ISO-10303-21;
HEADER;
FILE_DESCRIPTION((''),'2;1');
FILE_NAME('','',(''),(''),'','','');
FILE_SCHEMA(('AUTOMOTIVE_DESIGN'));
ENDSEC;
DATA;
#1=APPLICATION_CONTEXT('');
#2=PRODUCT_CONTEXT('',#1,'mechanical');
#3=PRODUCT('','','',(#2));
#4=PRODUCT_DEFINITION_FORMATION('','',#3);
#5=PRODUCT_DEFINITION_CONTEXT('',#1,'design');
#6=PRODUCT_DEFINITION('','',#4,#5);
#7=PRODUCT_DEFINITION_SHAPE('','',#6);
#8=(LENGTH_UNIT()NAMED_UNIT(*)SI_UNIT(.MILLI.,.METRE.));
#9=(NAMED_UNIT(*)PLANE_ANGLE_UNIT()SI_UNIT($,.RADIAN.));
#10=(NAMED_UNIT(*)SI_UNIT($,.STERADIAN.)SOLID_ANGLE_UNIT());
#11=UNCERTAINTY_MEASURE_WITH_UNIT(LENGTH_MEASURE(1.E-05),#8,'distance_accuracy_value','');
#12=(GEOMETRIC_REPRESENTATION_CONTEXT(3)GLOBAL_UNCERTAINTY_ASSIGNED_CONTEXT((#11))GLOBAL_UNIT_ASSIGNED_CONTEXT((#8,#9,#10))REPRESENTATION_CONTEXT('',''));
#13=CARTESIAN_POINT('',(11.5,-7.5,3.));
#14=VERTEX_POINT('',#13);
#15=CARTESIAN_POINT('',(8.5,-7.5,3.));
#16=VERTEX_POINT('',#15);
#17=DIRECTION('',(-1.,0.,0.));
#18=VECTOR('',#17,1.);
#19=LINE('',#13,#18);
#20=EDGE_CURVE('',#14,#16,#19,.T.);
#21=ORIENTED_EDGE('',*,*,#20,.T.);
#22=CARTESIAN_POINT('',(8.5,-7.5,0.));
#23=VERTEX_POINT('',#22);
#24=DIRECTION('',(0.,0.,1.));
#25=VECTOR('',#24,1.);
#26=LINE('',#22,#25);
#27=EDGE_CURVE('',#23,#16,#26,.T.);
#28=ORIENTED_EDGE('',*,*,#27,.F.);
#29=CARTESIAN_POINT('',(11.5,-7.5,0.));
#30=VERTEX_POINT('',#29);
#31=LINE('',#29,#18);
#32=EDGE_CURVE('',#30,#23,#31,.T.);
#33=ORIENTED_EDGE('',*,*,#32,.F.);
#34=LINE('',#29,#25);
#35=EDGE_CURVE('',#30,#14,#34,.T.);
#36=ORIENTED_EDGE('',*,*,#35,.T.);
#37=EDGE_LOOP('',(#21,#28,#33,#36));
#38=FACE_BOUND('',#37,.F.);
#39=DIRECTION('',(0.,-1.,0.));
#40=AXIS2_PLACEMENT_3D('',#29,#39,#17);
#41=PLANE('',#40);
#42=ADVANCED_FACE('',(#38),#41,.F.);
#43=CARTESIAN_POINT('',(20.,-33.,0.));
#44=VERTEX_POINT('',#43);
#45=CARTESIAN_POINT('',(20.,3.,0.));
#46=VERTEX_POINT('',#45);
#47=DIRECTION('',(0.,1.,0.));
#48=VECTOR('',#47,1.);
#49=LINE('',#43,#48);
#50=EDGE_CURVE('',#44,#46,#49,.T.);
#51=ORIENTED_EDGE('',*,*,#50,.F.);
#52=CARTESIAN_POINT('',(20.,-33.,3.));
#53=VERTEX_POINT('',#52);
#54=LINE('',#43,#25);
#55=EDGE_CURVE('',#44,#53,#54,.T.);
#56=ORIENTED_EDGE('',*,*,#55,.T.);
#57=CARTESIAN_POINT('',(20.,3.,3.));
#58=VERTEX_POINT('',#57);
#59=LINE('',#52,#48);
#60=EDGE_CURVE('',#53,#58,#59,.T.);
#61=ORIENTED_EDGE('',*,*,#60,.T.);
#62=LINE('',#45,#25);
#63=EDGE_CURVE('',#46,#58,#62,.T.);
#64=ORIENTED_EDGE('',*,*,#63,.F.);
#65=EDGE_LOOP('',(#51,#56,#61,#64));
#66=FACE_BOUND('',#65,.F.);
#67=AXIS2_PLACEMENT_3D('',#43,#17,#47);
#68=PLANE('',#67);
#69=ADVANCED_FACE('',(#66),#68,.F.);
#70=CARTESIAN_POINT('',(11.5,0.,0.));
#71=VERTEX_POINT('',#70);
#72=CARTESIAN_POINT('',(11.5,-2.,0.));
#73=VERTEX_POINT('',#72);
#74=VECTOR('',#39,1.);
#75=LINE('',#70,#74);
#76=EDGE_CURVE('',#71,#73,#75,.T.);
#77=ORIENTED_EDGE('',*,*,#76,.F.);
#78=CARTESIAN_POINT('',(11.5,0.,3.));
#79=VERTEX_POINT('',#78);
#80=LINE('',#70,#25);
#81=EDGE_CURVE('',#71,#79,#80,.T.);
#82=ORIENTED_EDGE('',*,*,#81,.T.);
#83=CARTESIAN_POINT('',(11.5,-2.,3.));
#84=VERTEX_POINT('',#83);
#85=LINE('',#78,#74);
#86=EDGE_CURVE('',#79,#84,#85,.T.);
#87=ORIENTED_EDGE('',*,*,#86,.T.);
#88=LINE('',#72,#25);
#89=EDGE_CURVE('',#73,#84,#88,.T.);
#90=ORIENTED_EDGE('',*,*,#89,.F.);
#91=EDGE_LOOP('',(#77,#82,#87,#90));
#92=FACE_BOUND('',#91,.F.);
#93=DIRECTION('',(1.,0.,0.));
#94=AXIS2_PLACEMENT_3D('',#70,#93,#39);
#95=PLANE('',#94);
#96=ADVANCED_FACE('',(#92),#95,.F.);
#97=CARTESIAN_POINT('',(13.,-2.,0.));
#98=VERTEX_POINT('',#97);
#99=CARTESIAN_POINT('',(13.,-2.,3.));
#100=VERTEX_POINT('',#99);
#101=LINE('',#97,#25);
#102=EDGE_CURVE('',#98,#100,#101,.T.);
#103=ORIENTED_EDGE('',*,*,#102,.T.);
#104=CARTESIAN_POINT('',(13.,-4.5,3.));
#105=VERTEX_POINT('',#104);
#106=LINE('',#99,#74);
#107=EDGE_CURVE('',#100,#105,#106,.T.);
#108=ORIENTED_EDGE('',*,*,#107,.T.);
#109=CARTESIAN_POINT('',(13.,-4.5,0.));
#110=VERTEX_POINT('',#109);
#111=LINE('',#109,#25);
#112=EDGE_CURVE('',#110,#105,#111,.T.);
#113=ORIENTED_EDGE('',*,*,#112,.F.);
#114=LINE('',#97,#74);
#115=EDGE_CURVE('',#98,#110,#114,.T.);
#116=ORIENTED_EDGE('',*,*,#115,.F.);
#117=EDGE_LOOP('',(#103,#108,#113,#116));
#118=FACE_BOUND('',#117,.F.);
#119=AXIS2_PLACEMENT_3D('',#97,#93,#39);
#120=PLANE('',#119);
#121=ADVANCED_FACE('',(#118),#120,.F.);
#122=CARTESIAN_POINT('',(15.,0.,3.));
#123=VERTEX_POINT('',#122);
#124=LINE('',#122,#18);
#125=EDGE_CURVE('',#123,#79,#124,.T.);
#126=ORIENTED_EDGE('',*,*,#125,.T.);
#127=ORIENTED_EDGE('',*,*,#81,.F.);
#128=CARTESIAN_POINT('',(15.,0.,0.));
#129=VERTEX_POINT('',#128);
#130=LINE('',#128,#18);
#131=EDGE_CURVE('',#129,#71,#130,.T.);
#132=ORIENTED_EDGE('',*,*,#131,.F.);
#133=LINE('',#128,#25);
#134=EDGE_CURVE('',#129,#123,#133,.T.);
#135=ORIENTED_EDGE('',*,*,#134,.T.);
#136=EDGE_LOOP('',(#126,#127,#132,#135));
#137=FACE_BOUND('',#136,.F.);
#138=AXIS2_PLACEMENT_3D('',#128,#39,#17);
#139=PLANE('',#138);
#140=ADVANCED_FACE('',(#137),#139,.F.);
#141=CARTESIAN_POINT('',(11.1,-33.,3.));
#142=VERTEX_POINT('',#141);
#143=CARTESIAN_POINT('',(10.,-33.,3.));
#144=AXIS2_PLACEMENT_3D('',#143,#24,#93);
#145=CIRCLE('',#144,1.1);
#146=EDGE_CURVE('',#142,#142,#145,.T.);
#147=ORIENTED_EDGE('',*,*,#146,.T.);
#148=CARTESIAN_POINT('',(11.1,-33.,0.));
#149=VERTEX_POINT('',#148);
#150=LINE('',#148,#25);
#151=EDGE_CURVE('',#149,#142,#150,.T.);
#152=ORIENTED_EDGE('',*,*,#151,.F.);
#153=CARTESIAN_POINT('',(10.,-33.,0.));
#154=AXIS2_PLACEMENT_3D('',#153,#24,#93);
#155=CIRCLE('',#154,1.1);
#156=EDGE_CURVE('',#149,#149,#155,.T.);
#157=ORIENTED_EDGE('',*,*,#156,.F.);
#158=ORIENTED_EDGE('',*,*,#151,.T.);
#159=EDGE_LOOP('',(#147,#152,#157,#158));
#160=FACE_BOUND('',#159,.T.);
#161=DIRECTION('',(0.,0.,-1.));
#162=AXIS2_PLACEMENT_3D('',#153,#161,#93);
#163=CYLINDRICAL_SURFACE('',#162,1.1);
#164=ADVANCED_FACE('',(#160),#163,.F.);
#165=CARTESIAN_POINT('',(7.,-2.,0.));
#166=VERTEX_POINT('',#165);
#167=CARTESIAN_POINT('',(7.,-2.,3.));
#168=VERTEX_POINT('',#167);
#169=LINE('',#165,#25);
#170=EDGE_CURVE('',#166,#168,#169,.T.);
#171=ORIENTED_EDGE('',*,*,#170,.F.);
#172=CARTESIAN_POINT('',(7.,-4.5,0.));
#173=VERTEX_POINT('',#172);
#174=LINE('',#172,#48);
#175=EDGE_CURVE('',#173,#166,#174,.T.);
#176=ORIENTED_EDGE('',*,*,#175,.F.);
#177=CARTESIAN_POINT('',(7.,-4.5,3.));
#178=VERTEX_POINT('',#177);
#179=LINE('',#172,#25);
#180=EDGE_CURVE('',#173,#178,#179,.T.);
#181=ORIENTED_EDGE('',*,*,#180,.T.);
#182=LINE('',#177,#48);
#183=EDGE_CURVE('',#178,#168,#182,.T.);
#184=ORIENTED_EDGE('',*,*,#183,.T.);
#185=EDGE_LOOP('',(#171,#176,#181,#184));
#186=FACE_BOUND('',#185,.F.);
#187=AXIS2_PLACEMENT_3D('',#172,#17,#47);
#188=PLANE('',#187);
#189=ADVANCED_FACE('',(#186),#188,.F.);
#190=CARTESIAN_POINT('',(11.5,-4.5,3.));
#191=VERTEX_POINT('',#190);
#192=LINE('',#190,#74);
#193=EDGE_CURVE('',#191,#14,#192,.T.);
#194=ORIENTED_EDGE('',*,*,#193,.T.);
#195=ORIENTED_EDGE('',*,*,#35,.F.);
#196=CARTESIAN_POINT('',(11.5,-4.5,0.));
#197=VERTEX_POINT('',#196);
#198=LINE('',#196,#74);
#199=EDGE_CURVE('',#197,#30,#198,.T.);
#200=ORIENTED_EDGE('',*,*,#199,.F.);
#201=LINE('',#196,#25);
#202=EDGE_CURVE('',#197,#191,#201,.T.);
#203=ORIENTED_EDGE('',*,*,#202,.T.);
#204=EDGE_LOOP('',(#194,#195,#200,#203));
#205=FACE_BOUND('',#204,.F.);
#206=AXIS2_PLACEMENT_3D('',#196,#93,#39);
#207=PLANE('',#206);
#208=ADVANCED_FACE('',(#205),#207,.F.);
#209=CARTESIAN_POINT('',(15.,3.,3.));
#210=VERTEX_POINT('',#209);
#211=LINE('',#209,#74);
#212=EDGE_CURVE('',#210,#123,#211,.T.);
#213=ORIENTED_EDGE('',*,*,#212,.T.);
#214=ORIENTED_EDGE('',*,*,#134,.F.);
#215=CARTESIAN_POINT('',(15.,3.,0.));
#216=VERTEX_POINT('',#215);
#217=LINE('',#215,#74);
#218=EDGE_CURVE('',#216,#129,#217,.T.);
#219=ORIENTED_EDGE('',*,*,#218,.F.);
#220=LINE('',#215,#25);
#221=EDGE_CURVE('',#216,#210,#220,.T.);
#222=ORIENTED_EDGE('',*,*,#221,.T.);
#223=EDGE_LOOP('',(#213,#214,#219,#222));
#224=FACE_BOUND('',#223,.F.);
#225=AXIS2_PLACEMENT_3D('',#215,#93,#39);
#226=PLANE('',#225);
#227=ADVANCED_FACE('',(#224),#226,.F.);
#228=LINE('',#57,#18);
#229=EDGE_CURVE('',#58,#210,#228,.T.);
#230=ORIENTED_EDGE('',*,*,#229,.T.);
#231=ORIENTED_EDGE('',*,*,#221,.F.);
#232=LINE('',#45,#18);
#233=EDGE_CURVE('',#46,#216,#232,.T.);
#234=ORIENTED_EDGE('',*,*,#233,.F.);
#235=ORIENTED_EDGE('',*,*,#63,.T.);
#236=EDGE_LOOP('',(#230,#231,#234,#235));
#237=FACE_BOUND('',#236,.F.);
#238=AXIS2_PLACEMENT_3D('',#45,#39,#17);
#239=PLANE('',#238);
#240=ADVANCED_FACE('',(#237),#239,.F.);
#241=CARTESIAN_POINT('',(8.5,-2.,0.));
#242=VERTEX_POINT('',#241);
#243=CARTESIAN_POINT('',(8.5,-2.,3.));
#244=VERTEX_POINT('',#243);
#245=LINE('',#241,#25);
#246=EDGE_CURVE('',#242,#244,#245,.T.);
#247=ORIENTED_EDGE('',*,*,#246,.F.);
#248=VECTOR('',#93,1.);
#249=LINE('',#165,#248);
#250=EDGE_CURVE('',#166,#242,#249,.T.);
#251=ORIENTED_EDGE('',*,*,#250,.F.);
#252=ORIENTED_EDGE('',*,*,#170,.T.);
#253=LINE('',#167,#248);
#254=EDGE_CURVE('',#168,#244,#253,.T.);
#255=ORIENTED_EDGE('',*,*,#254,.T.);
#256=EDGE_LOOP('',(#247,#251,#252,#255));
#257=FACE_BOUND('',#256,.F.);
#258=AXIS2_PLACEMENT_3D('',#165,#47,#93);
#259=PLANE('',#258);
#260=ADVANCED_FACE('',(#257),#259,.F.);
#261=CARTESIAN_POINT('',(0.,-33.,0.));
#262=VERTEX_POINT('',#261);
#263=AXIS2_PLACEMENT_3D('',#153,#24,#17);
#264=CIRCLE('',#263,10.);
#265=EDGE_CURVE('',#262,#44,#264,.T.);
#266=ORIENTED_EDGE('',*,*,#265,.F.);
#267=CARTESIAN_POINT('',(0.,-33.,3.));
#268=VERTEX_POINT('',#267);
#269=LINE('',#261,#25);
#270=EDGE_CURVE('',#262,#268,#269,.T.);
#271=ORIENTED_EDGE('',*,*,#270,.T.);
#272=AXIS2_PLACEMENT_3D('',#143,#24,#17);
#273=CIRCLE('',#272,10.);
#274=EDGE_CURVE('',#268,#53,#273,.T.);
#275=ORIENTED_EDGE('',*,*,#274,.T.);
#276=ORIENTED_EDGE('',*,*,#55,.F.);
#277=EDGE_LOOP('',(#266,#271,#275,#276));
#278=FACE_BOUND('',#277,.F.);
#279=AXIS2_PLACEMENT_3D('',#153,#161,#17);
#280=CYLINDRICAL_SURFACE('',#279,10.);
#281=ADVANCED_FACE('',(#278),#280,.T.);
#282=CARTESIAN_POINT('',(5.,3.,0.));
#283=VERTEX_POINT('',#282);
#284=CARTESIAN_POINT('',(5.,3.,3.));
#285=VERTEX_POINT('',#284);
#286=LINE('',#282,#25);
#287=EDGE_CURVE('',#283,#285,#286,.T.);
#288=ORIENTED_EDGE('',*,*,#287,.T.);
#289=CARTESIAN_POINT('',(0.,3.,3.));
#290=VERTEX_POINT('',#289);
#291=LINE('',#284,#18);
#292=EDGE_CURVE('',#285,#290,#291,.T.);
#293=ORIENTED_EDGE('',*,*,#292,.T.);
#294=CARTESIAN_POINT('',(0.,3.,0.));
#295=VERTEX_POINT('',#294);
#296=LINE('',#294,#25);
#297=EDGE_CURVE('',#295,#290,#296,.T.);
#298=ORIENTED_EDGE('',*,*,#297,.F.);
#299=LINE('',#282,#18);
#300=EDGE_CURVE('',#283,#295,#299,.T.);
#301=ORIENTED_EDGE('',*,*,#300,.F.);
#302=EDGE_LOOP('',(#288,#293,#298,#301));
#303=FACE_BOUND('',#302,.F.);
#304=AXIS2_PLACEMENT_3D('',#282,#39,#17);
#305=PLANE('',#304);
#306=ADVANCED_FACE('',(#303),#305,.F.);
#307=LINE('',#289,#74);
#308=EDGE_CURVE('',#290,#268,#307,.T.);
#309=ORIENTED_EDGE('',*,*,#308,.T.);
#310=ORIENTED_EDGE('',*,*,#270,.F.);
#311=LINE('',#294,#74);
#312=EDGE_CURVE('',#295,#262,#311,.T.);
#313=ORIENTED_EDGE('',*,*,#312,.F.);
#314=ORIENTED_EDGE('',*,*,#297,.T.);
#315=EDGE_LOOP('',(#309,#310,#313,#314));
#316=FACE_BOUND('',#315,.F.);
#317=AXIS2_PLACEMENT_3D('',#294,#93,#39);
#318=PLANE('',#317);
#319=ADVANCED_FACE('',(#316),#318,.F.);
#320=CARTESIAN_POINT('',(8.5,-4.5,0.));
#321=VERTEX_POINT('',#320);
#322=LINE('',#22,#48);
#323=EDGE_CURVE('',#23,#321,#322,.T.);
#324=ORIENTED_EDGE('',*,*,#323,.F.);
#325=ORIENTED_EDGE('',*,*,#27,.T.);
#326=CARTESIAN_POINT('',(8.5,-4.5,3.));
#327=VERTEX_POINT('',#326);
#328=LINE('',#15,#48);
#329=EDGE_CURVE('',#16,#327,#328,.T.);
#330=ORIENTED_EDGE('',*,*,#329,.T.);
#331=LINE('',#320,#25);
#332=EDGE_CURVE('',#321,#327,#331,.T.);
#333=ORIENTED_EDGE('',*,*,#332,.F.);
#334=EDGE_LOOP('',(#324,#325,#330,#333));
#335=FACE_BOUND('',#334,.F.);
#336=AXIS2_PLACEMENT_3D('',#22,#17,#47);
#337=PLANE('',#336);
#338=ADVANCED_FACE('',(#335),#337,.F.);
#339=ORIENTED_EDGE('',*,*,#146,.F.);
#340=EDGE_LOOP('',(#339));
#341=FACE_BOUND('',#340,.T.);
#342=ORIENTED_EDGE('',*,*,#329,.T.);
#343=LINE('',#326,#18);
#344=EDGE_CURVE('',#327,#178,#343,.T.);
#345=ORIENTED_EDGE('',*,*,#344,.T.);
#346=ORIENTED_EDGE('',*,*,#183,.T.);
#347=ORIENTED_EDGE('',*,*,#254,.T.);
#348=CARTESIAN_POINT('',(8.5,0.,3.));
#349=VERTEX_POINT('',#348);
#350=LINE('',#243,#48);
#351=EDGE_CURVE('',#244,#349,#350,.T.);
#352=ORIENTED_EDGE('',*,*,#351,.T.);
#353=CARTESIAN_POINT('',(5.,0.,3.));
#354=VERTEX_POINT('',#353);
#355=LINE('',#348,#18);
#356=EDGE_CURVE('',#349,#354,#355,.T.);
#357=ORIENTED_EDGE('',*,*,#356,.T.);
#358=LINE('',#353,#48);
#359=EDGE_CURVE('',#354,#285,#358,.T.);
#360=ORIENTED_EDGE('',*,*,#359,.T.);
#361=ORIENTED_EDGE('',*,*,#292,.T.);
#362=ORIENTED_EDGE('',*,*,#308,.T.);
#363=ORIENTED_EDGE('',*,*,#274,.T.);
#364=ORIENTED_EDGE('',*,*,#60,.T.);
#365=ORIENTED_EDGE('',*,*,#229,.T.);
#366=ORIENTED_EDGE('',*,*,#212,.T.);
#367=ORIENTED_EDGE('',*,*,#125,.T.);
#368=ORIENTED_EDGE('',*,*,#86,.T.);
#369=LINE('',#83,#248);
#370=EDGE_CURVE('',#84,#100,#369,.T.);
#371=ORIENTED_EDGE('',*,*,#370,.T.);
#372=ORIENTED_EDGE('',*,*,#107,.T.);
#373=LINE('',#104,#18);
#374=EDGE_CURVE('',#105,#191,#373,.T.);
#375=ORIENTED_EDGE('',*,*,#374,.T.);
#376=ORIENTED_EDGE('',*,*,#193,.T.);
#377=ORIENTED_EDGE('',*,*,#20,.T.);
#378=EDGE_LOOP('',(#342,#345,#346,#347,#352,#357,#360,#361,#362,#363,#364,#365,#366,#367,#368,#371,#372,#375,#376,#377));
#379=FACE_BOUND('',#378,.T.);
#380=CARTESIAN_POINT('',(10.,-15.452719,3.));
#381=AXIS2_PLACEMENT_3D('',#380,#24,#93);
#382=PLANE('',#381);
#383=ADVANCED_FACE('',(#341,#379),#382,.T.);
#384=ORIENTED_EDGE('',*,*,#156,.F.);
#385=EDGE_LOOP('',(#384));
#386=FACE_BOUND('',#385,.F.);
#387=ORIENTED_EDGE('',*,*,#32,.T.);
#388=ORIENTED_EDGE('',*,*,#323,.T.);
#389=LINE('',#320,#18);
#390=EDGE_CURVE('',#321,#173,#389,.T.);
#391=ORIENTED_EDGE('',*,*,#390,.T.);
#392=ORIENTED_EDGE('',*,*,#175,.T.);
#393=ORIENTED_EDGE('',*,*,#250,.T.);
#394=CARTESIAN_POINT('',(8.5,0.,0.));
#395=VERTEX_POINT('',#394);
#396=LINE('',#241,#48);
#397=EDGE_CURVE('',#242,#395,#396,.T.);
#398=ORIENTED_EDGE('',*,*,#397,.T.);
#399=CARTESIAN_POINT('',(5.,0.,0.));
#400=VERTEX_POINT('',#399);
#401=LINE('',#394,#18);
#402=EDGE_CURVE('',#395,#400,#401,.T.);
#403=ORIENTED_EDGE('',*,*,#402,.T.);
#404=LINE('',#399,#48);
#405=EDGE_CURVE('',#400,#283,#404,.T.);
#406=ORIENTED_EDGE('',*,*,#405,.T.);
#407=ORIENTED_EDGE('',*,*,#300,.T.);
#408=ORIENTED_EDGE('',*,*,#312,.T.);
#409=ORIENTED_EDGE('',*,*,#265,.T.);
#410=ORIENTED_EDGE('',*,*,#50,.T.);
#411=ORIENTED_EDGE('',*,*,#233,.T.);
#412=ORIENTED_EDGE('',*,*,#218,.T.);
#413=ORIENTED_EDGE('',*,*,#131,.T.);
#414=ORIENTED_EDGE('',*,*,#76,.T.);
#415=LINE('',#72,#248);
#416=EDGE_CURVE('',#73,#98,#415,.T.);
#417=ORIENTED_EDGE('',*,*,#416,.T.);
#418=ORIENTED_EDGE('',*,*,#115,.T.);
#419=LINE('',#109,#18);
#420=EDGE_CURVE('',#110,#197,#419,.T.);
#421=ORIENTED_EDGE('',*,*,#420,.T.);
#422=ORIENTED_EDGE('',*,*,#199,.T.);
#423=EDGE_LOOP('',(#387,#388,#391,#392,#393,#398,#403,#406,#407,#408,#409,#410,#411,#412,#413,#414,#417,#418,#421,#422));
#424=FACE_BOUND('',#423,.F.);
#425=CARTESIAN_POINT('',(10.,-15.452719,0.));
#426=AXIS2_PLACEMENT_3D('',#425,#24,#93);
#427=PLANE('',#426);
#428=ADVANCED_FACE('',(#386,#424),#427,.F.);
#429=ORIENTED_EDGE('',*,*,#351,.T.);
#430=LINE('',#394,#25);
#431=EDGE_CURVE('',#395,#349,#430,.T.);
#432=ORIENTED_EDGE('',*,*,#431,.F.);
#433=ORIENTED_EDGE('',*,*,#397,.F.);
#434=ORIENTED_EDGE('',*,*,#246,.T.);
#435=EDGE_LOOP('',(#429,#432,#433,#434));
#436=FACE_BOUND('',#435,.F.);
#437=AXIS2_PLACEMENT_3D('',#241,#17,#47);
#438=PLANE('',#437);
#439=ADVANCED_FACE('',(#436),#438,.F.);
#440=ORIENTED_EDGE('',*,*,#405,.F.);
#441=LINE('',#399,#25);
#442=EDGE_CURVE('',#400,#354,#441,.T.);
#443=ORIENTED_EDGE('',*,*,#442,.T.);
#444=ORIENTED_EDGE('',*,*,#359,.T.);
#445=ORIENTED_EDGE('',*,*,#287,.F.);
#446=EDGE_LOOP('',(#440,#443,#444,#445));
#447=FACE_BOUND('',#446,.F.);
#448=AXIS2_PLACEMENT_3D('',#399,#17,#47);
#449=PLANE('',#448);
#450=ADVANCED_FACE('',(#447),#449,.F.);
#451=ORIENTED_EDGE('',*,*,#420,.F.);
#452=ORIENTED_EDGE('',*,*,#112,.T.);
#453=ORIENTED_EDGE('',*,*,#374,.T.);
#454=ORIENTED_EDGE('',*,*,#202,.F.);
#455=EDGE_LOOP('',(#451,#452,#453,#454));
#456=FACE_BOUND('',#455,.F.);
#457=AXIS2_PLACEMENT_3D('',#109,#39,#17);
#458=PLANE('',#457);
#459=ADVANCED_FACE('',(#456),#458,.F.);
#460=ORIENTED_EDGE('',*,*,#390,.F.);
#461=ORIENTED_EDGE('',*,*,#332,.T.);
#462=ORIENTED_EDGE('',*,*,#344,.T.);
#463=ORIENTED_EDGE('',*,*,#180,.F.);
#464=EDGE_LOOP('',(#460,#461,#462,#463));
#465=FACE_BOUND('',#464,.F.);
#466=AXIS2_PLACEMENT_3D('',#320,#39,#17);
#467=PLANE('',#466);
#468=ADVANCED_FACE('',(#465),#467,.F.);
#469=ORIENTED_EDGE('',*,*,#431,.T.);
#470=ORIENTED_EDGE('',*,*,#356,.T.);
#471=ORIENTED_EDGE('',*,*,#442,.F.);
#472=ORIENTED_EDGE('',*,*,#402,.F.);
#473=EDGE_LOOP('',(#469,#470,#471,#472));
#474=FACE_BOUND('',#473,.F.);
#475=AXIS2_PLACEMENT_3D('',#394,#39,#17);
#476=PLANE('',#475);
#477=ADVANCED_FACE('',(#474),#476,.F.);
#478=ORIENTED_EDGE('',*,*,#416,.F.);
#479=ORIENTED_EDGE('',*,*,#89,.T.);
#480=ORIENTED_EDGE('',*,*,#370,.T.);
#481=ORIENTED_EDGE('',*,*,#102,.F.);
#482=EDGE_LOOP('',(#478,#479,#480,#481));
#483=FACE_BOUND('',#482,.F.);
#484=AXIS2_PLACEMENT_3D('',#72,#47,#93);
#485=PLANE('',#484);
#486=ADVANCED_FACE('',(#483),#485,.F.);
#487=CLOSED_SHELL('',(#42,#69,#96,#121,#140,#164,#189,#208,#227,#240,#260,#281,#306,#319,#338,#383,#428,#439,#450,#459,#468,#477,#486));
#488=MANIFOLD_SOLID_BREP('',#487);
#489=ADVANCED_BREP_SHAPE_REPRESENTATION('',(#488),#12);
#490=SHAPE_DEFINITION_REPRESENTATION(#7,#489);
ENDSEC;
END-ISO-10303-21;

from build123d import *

# Parameters (mm, degrees)
F0_R     = 1.1
F1_DEPTH = 3


with BuildPart() as f1:
    # F0 (on Top) → F1 (new body)
    with BuildSketch(Plane.XY):
        with BuildLine():
            Line((8.5, 0), (5, 0))
            Line((5, 0), (5, 3))
            Line((5, 3), (0, 3))
            Line((0, 3), (0, 0))
            Line((0, 0), (0, -33))
            ThreePointArc((0, -33), (10, -43), (20, -33))
            Line((20, -33), (20, 0))
            Line((20, 0), (20, 3))
            Line((20, 3), (15, 3))
            Line((15, 3), (15, 0))
            Line((15, 0), (11.5, 0))
            Line((11.5, 0), (11.5, -2))
            Line((11.5, -2), (13, -2))
            Line((13, -2), (13, -4.5))
            Line((13, -4.5), (11.5, -4.5))
            Line((11.5, -4.5), (11.5, -7.5))
            Line((11.5, -7.5), (10, -7.5))
            Line((10, -7.5), (8.5, -7.5))
            Line((8.5, -7.5), (8.5, -4.5))
            Line((8.5, -4.5), (7, -4.5))
            Line((7, -4.5), (7, -2))
            Line((7, -2), (8.5, -2))
            Line((8.5, -2), (8.5, 0))
        make_face()
        with Locations((10, -33)):
            Circle(F0_R, mode=Mode.SUBTRACT)
    extrude(amount=F1_DEPTH)


solid = f1.part
